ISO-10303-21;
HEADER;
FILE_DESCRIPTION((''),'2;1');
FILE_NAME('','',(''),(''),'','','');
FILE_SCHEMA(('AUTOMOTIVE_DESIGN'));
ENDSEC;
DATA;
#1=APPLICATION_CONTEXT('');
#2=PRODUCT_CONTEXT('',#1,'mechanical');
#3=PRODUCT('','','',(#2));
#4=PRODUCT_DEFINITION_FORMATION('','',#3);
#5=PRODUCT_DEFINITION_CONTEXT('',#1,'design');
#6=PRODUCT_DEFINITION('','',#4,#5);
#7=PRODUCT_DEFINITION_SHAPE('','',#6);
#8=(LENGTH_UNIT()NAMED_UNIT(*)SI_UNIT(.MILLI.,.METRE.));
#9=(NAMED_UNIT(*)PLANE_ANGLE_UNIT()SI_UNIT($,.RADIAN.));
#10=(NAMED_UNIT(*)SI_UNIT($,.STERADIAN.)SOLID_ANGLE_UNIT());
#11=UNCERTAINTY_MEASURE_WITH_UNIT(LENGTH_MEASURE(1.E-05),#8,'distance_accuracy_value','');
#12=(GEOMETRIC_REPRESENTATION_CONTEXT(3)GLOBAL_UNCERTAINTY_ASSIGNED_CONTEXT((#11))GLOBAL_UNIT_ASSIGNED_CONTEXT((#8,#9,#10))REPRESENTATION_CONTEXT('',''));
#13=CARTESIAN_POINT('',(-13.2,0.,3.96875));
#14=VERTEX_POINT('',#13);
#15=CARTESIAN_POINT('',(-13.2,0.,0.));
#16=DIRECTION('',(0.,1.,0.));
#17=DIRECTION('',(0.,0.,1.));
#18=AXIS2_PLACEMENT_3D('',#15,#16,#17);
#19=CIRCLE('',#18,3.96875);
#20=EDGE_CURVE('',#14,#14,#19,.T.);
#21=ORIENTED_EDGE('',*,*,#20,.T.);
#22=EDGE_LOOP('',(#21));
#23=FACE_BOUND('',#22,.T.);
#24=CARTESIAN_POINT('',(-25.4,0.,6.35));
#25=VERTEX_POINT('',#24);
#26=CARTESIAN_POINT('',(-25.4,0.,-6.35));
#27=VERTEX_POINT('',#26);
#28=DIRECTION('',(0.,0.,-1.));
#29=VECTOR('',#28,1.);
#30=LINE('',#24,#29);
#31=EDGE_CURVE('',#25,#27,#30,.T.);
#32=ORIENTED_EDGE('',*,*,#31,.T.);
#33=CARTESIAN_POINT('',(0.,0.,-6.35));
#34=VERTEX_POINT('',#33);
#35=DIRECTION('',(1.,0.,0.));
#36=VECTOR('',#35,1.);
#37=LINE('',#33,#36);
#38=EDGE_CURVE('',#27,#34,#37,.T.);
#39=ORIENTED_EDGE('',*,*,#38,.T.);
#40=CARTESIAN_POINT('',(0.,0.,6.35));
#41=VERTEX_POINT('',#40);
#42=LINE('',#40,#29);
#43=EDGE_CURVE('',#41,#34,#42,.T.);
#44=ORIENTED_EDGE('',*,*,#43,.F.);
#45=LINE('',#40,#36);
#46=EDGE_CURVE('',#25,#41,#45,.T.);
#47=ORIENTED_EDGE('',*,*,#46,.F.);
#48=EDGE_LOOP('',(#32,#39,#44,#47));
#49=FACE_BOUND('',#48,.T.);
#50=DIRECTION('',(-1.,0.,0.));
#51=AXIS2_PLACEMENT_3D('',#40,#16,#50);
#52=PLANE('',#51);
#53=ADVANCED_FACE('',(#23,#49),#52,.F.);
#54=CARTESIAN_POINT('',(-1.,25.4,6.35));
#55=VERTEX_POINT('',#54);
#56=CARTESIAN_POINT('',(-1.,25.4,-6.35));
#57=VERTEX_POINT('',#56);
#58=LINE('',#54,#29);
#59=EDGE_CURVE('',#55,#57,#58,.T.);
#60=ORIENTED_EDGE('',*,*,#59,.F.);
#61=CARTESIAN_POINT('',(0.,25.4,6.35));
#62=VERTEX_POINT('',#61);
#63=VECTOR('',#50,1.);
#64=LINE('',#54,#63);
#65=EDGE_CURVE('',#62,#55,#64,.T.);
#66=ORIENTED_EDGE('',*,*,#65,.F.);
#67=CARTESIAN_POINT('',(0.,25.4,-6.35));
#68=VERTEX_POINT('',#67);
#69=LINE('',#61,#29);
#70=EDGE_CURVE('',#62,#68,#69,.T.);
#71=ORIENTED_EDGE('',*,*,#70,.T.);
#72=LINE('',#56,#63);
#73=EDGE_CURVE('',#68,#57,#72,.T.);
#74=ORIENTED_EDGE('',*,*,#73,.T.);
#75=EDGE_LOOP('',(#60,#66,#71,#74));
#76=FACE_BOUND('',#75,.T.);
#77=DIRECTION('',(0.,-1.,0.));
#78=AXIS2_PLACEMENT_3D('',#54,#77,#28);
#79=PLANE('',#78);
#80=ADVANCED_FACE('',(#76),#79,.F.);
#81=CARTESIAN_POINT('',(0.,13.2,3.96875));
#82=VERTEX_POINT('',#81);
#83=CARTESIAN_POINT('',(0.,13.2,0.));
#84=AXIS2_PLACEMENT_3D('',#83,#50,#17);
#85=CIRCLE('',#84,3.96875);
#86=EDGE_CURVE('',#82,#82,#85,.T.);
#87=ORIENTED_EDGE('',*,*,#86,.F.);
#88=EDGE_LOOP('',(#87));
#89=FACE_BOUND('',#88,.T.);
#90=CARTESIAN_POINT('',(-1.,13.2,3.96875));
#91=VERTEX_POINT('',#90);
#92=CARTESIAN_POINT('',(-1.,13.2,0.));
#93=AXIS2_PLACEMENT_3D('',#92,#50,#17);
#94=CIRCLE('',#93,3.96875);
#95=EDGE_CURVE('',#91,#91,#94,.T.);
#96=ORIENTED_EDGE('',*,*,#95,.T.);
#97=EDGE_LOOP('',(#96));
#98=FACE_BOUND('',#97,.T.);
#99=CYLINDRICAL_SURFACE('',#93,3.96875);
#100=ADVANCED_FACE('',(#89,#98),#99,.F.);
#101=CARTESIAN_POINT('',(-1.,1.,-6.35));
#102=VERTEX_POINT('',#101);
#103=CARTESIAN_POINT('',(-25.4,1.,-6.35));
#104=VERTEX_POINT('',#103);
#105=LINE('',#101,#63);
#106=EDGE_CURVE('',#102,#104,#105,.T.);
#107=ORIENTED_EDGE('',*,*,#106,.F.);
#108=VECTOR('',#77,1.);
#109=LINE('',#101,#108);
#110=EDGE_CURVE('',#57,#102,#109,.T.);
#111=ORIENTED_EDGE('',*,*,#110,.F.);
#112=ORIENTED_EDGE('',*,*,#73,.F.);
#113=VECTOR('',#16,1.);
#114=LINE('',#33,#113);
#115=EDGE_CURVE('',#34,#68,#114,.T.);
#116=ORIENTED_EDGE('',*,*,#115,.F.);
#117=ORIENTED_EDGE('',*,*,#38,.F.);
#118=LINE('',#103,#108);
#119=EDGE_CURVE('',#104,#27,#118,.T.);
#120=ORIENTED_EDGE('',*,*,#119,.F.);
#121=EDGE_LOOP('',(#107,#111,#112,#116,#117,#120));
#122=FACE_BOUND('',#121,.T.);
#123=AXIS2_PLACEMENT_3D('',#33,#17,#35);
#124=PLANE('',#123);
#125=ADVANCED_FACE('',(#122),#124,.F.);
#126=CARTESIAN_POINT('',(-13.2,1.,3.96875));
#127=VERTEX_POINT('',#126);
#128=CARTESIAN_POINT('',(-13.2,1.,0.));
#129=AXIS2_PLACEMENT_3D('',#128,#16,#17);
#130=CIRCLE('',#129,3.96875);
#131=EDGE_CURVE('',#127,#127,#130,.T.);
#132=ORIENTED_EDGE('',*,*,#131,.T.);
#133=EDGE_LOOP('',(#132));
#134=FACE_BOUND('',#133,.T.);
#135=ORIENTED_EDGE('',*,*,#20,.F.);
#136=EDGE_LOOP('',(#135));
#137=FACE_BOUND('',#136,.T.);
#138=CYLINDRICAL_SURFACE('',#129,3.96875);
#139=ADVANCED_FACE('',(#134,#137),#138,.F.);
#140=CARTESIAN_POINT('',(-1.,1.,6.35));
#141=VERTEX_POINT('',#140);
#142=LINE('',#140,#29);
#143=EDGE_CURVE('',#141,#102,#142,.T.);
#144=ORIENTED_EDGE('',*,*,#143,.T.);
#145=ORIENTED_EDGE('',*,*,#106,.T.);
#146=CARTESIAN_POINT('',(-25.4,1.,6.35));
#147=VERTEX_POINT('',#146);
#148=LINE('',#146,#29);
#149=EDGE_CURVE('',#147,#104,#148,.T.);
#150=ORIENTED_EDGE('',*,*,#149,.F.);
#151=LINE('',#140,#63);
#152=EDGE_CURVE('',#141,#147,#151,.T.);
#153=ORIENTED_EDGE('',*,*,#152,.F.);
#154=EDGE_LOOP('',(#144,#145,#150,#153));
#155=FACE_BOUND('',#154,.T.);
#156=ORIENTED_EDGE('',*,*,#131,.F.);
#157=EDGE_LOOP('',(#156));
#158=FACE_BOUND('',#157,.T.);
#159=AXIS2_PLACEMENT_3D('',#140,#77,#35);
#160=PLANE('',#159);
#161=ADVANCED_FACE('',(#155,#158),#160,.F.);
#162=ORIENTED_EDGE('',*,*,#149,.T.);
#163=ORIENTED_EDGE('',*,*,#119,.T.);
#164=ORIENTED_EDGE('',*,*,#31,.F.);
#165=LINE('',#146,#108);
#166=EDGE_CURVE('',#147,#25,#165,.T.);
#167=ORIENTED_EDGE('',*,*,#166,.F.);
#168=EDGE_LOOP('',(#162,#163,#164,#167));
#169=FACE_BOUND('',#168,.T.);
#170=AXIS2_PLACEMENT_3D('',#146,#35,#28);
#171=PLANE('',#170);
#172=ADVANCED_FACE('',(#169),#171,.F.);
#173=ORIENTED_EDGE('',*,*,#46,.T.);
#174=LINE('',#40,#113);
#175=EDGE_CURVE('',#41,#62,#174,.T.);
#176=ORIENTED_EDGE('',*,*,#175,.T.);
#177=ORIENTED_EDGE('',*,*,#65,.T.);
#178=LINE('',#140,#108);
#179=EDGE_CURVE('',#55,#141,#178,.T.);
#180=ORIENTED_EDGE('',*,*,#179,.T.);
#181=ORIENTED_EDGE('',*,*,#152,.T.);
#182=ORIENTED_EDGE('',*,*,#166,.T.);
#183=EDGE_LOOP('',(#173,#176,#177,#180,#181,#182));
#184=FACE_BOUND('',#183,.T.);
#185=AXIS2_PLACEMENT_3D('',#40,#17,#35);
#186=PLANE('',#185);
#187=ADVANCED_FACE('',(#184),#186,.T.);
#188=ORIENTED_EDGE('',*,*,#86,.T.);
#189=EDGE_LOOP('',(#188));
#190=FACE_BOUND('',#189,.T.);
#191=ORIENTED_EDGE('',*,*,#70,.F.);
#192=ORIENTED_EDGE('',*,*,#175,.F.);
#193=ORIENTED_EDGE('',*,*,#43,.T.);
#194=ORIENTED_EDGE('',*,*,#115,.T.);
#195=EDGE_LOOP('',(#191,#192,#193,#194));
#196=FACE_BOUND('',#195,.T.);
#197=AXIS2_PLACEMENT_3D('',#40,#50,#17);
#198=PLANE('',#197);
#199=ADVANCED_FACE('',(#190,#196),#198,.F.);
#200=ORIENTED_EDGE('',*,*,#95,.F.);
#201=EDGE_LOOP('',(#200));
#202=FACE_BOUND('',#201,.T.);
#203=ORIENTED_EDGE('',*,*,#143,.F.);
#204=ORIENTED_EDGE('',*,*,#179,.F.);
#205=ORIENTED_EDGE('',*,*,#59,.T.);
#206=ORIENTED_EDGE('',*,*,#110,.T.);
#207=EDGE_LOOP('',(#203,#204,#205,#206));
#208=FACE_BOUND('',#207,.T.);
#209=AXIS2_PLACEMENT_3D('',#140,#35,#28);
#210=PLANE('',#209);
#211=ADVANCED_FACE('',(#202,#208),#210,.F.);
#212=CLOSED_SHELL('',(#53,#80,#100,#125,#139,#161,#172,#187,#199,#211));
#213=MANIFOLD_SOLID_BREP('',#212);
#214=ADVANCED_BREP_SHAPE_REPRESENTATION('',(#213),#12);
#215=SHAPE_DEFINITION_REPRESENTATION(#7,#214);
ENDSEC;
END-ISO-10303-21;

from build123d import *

# Parameters (mm, degrees)
BOSS_EXTRUDE1_DEPTH            = 6.35
F_5_16_0_3125_DIAMETER_HOLE1_D = 7.9375
F_5_16_0_3125_DIAMETER_HOLE2_D = 7.9375


with BuildPart() as part:
    # Sketch1 → Boss-Extrude1 (new body, symmetric)
    with BuildSketch(Plane.XY):
        Polygon((0, 0), (0, 25.4), (-1, 25.4), (-1, 1), (-25.4, 1), (-25.4, 0), align=None)
    extrude(amount=BOSS_EXTRUDE1_DEPTH, both=True)

    # 5/16 (0.3125) Diameter Hole1 (through all)
    with Locations(Plane.ZY.offset(1)):
        with Locations((0, 13.2)):
            Hole(F_5_16_0_3125_DIAMETER_HOLE1_D / 2)

    # 5/16 (0.3125) Diameter Hole2 (through all)
    with Locations(Plane(origin=(-13.2, 1, 0), x_dir=(1, 0, 0), z_dir=(0, 1, 0))):
        with Locations((0, 0)):
            Hole(F_5_16_0_3125_DIAMETER_HOLE2_D / 2)


solid = part.part
